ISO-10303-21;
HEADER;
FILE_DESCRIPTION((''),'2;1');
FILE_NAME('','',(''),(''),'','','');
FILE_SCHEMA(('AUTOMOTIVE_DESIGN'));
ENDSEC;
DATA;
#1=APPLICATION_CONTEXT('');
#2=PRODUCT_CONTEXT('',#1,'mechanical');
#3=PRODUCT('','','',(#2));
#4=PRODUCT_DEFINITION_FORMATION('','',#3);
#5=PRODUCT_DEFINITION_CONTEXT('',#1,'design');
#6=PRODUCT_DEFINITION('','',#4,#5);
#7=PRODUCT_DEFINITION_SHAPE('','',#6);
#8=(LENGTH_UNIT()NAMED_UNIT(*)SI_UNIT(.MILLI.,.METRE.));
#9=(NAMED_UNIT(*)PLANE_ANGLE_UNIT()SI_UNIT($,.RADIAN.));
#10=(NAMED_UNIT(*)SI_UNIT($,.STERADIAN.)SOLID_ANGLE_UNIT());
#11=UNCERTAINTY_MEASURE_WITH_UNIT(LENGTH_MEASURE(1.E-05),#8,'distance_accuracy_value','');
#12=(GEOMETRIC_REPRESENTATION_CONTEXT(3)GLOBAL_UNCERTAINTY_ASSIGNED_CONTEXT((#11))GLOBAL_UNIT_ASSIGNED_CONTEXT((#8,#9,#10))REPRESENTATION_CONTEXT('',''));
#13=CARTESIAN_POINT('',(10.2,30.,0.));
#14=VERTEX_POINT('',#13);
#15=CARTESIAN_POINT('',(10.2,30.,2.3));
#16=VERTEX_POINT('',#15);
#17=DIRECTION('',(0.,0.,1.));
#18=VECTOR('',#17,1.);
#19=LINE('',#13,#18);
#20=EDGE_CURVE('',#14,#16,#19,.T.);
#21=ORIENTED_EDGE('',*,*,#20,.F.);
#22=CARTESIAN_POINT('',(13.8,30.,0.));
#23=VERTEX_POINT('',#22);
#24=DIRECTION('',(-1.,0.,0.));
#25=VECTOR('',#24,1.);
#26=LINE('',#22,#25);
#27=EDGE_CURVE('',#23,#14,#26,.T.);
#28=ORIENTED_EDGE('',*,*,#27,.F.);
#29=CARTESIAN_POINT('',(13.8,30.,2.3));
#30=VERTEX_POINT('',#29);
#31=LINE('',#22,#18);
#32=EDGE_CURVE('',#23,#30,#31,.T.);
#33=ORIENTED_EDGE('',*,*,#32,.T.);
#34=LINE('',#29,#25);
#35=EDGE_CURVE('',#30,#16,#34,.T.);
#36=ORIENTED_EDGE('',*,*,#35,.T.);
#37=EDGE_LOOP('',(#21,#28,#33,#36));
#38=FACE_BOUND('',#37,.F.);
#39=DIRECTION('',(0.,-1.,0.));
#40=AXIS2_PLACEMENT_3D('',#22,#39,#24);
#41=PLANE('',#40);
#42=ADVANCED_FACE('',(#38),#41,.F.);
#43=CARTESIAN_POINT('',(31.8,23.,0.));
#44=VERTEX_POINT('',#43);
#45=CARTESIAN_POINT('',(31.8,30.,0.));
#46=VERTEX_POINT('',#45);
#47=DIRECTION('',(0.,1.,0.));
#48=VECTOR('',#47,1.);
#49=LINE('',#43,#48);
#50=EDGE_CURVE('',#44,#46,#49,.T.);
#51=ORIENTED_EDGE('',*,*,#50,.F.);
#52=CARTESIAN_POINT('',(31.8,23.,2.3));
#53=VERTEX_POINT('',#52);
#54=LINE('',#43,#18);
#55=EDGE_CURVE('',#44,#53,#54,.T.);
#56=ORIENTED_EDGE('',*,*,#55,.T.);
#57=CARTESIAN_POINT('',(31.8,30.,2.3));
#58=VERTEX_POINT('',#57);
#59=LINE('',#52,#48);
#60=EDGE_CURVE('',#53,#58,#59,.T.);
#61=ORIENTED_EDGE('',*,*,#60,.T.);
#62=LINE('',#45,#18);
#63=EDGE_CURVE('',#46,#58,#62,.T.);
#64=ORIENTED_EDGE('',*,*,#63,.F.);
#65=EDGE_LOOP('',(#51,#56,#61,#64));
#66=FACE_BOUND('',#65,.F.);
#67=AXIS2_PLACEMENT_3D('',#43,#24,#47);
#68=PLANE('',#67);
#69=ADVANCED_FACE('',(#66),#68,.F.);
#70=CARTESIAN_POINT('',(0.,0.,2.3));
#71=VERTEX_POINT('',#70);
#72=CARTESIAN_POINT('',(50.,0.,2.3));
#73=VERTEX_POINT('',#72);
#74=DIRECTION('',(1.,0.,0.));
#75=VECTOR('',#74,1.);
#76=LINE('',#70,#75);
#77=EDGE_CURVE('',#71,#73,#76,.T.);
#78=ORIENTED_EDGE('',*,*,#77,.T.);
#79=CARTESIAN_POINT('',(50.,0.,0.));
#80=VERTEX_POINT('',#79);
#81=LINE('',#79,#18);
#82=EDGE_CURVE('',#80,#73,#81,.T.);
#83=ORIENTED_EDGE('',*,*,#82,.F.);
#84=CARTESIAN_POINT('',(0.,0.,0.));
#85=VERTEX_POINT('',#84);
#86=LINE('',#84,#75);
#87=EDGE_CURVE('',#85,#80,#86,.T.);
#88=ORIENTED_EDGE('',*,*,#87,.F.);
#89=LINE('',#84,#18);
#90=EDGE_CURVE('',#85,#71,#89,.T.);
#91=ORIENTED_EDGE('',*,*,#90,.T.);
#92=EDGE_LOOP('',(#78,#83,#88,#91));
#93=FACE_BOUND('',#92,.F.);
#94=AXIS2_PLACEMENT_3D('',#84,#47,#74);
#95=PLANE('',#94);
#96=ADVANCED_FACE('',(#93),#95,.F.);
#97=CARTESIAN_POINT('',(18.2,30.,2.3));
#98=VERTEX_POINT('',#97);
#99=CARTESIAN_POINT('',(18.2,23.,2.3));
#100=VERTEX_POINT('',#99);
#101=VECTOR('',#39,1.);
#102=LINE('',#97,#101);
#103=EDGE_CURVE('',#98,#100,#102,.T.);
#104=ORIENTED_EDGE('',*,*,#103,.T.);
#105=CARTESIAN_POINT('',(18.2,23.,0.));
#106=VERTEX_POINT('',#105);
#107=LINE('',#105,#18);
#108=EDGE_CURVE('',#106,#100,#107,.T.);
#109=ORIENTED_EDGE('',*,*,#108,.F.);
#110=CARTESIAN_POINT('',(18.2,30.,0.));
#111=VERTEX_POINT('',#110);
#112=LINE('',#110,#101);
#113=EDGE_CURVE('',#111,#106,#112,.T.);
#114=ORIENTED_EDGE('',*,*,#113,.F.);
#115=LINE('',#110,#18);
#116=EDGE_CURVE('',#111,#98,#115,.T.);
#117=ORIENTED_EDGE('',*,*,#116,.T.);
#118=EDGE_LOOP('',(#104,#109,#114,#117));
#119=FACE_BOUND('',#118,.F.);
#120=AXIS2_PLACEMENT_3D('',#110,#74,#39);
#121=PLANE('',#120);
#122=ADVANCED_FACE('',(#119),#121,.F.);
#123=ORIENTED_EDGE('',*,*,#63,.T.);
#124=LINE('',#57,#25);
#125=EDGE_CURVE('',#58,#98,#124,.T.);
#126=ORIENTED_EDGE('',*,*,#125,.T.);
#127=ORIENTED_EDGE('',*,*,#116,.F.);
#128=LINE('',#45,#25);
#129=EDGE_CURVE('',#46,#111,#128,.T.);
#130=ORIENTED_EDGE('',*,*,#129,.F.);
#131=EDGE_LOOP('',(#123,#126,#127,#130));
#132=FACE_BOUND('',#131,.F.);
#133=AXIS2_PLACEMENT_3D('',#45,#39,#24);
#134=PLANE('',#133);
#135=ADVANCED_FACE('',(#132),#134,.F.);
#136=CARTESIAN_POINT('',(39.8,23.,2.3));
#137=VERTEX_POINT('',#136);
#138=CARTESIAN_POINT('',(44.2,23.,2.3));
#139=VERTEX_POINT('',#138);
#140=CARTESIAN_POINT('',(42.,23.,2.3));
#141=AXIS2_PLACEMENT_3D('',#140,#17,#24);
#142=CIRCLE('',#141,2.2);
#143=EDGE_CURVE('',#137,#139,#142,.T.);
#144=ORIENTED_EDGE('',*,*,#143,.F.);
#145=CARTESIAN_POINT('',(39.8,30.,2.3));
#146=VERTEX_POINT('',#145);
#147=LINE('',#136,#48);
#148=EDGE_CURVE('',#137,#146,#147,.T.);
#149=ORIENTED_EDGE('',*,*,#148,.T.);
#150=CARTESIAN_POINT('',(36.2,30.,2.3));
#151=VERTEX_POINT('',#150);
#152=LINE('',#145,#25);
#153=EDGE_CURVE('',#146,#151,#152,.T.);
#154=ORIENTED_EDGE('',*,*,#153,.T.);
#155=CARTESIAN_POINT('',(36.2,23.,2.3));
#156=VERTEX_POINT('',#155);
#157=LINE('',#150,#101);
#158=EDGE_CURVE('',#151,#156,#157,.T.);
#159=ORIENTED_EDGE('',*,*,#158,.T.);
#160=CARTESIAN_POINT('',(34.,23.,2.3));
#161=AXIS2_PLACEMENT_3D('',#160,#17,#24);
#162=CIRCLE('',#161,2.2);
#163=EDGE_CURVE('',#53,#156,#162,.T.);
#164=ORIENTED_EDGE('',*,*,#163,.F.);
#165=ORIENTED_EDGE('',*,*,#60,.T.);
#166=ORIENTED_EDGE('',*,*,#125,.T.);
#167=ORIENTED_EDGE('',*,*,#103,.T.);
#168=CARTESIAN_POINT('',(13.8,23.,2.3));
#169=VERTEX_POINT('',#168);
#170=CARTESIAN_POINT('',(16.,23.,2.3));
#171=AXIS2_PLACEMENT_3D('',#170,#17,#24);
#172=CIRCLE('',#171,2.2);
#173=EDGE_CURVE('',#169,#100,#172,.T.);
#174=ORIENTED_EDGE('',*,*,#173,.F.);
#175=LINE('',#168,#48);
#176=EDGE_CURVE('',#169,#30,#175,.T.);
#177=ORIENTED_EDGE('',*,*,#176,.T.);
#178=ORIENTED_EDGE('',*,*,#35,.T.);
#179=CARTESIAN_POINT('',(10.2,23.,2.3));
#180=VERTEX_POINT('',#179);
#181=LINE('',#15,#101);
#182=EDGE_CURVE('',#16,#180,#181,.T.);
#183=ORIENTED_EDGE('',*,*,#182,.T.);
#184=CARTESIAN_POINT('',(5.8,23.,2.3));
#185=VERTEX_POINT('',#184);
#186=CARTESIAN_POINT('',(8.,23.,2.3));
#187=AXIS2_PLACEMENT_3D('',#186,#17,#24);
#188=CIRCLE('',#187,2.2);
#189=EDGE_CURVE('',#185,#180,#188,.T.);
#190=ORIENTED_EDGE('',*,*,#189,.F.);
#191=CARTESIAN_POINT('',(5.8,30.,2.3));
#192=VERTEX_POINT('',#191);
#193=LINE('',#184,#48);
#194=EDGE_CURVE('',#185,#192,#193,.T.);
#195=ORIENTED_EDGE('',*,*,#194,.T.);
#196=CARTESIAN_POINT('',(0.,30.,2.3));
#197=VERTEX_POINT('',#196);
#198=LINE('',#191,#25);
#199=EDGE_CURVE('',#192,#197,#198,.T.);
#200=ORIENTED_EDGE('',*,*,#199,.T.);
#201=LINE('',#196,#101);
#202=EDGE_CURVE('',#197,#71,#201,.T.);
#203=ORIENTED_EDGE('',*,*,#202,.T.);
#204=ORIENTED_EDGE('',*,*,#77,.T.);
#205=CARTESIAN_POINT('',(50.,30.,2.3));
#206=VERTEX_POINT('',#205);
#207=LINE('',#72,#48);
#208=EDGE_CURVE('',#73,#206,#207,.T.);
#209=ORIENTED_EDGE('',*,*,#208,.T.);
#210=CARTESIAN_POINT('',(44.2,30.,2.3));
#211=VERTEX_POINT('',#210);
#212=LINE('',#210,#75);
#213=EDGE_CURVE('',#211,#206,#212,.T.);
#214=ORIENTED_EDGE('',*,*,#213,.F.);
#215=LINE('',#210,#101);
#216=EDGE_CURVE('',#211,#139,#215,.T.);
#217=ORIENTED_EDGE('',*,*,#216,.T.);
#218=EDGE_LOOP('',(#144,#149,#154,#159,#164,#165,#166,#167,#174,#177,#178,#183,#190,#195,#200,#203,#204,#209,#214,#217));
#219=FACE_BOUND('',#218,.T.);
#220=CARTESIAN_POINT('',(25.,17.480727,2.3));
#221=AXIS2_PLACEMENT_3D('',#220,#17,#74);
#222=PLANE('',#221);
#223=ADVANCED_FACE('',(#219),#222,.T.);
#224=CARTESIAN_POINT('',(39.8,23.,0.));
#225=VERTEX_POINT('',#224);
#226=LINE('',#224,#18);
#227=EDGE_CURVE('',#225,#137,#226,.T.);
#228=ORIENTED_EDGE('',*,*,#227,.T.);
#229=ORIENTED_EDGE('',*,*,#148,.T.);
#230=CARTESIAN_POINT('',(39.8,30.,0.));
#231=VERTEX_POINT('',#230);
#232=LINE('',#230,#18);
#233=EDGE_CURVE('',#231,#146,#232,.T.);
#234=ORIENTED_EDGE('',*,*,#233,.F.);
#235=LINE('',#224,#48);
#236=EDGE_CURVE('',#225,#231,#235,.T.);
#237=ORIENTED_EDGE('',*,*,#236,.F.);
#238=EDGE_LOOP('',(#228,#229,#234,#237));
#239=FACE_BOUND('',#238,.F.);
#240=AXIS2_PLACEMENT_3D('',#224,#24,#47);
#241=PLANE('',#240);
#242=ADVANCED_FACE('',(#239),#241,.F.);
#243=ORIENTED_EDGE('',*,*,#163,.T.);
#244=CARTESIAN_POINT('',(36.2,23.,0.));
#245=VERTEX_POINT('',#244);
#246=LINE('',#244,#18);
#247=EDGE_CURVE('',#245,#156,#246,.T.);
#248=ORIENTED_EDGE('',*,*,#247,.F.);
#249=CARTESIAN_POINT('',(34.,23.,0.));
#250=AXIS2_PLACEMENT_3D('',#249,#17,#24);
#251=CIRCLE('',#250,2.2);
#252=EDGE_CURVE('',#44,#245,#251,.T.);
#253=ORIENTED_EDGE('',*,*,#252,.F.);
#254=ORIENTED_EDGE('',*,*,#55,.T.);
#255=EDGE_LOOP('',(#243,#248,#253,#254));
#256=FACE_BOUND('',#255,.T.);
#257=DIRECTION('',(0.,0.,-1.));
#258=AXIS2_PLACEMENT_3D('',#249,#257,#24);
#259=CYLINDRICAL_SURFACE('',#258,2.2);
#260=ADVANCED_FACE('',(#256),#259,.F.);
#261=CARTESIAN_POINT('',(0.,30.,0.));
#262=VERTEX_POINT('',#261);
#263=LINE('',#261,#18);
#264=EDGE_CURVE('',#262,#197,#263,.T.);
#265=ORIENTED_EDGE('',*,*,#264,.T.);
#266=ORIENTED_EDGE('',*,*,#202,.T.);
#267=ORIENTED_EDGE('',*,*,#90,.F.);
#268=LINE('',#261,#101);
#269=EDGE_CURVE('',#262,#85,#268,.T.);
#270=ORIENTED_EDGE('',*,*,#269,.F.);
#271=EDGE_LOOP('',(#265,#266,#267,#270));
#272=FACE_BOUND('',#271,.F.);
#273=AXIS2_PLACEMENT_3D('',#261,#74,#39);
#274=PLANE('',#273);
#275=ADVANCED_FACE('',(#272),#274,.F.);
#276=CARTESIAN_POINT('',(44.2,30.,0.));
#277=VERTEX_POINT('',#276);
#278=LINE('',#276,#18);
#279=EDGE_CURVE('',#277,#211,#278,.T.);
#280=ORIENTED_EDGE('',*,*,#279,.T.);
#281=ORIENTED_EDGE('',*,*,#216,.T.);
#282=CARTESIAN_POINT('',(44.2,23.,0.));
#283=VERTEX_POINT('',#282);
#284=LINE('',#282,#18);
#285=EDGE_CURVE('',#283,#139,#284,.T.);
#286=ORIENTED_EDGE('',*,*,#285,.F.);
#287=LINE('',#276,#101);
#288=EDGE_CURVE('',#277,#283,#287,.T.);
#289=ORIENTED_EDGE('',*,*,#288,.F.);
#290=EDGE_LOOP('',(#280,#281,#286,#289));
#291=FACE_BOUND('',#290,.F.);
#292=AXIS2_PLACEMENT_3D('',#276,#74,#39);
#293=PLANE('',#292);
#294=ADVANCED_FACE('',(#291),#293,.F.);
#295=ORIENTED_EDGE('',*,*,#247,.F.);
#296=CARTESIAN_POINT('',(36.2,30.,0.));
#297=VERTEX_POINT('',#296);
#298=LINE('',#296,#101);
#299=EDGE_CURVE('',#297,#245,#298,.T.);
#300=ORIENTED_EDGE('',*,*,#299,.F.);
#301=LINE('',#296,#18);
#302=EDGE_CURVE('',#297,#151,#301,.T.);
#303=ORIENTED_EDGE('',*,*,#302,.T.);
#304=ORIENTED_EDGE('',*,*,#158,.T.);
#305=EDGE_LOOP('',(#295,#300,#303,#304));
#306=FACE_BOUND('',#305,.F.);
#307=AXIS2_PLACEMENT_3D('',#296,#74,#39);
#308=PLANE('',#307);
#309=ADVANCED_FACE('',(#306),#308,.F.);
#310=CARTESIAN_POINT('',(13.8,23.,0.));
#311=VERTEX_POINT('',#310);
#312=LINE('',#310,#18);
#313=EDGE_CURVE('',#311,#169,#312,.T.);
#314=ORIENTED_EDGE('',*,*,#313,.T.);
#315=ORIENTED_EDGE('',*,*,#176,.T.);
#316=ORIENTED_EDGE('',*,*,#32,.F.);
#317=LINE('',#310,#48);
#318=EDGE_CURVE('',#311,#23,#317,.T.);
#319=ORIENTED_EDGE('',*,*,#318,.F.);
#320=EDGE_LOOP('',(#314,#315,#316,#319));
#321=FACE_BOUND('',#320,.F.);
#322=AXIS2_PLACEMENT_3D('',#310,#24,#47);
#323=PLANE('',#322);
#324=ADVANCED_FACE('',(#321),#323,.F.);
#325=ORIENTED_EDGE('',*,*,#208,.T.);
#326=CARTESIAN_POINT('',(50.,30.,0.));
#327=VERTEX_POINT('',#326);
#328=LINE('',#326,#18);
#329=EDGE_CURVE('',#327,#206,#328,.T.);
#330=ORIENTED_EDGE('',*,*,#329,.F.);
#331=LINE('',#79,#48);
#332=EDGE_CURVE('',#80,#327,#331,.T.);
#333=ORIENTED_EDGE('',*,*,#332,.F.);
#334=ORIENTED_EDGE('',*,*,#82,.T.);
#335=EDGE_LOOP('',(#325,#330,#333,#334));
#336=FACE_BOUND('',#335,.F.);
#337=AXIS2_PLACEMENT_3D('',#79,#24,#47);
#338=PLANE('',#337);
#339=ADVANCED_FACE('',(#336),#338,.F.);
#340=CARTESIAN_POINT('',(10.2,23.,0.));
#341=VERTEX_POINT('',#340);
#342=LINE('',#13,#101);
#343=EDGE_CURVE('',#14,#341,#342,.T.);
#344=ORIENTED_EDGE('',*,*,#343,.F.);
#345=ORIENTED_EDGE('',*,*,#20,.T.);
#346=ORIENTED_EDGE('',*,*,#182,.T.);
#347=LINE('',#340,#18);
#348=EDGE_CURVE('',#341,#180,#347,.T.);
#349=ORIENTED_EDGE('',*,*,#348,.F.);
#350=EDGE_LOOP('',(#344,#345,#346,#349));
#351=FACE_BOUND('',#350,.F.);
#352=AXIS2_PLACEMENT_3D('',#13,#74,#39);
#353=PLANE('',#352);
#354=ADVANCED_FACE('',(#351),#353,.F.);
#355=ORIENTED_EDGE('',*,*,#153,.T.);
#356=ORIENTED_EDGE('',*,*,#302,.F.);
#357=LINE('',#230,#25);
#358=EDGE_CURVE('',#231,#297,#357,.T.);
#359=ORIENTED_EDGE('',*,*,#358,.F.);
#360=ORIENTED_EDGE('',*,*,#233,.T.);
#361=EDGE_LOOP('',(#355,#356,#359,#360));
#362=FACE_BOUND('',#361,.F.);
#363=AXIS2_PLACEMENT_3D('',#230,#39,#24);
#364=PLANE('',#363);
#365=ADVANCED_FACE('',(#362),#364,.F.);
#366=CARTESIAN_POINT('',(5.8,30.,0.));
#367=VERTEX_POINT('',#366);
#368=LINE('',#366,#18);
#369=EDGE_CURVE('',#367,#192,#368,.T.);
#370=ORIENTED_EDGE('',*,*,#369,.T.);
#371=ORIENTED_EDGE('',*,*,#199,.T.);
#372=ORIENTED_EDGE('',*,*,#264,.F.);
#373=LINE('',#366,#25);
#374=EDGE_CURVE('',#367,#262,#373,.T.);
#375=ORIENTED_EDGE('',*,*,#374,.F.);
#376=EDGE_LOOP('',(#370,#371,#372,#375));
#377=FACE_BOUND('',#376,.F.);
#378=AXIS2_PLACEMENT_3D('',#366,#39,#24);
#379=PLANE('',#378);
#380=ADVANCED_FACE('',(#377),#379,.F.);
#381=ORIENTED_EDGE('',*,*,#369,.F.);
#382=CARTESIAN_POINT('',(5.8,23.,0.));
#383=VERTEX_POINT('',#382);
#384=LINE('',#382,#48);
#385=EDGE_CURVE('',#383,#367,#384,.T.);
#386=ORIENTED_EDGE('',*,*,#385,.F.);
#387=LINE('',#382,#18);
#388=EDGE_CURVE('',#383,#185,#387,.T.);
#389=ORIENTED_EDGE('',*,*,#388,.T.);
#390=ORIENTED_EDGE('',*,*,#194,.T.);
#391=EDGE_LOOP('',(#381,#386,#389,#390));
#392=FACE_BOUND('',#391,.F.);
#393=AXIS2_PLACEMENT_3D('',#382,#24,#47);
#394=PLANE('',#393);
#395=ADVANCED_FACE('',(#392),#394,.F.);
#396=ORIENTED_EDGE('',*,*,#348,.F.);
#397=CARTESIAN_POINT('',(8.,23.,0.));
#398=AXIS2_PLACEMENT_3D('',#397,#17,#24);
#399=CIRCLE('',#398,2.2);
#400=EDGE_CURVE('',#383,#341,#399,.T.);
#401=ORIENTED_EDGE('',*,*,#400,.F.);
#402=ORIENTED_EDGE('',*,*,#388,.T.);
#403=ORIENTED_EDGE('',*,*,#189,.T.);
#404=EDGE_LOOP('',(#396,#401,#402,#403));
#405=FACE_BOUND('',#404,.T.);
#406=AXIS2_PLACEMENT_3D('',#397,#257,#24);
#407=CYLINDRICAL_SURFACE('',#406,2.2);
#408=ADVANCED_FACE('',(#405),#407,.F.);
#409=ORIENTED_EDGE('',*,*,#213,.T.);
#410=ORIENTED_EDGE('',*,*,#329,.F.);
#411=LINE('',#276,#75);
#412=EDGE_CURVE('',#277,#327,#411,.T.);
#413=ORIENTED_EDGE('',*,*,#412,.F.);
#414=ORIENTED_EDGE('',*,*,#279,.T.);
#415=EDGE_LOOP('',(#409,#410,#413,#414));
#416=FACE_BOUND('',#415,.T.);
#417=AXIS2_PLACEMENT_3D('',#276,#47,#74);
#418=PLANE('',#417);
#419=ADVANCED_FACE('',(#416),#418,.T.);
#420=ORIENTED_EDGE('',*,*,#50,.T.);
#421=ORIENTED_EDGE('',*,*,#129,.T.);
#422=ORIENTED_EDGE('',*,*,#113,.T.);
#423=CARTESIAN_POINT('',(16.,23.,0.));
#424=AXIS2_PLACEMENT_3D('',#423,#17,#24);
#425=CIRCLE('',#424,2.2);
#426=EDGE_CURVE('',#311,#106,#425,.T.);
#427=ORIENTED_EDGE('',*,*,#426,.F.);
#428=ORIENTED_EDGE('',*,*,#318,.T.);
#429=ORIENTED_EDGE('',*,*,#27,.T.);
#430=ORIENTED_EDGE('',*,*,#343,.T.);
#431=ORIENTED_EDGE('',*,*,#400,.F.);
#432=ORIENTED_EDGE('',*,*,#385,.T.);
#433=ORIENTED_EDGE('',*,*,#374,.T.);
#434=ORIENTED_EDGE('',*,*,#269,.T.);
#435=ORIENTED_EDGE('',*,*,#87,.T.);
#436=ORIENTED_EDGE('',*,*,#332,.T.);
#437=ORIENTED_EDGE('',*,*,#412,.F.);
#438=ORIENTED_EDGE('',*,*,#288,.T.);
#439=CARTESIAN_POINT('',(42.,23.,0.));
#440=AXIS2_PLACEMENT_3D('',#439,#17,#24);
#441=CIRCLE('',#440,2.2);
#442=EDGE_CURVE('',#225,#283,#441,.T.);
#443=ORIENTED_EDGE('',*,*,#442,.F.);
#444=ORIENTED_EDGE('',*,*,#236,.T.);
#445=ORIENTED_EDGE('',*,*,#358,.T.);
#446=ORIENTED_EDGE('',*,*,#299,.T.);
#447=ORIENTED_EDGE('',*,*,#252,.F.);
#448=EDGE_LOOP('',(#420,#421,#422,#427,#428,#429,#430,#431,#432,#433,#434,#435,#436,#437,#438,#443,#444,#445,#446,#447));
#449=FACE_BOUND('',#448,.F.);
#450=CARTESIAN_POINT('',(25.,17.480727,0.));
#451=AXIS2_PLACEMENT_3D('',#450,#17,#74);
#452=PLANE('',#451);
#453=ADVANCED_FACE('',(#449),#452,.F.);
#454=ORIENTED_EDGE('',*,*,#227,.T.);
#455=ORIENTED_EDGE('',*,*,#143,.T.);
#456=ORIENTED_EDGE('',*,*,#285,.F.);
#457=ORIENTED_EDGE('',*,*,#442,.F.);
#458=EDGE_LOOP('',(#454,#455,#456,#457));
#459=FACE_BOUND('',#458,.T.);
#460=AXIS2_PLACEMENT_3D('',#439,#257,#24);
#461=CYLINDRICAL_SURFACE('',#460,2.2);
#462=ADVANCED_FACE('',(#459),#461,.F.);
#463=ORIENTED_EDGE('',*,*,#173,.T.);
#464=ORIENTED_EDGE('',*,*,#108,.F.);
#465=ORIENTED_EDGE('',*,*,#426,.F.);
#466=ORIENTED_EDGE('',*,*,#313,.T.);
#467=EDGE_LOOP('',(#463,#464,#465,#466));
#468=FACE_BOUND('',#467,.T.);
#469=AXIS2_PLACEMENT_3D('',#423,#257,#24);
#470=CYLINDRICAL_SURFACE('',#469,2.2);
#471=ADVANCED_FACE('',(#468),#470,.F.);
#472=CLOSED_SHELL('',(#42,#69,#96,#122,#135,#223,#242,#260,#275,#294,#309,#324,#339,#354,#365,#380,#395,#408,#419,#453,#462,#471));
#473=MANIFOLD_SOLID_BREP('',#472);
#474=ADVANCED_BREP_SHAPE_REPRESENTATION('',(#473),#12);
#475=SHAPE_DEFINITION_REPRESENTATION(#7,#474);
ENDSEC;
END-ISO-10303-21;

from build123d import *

# Parameters (mm, degrees)
PAD_DEPTH = 2.3


with BuildPart() as part:
    # Sketch → Pad (new body)
    with BuildSketch(Plane.XY):
        with BuildLine():
            Line((0, 0), (50, 0))
            Line((50, 0), (50, 30))
            Line((44.2, 30), (50, 30))
            Line((44.2, 30), (44.2, 23))
            ThreePointArc((39.8, 23), (42, 20.8), (44.2, 23))
            Line((39.8, 23), (39.8, 30))
            Line((39.8, 30), (36.2, 30))
            Line((36.2, 30), (36.2, 23))
            ThreePointArc((31.8, 23), (34, 20.8), (36.2, 23))
            Line((31.8, 23), (31.8, 30))
            Line((31.8, 30), (18.2, 30))
            Line((18.2, 30), (18.2, 23))
            ThreePointArc((13.8, 23), (16, 20.8), (18.2, 23))
            Line((13.8, 23), (13.8, 30))
            Line((13.8, 30), (10.2, 30))
            Line((10.2, 30), (10.2, 23))
            ThreePointArc((5.8, 23), (8, 20.8), (10.2, 23))
            Line((5.8, 23), (5.8, 30))
            Line((5.8, 30), (0, 30))
            Line((0, 30), (0, 0))
        make_face()
    extrude(amount=PAD_DEPTH)


solid = part.part
